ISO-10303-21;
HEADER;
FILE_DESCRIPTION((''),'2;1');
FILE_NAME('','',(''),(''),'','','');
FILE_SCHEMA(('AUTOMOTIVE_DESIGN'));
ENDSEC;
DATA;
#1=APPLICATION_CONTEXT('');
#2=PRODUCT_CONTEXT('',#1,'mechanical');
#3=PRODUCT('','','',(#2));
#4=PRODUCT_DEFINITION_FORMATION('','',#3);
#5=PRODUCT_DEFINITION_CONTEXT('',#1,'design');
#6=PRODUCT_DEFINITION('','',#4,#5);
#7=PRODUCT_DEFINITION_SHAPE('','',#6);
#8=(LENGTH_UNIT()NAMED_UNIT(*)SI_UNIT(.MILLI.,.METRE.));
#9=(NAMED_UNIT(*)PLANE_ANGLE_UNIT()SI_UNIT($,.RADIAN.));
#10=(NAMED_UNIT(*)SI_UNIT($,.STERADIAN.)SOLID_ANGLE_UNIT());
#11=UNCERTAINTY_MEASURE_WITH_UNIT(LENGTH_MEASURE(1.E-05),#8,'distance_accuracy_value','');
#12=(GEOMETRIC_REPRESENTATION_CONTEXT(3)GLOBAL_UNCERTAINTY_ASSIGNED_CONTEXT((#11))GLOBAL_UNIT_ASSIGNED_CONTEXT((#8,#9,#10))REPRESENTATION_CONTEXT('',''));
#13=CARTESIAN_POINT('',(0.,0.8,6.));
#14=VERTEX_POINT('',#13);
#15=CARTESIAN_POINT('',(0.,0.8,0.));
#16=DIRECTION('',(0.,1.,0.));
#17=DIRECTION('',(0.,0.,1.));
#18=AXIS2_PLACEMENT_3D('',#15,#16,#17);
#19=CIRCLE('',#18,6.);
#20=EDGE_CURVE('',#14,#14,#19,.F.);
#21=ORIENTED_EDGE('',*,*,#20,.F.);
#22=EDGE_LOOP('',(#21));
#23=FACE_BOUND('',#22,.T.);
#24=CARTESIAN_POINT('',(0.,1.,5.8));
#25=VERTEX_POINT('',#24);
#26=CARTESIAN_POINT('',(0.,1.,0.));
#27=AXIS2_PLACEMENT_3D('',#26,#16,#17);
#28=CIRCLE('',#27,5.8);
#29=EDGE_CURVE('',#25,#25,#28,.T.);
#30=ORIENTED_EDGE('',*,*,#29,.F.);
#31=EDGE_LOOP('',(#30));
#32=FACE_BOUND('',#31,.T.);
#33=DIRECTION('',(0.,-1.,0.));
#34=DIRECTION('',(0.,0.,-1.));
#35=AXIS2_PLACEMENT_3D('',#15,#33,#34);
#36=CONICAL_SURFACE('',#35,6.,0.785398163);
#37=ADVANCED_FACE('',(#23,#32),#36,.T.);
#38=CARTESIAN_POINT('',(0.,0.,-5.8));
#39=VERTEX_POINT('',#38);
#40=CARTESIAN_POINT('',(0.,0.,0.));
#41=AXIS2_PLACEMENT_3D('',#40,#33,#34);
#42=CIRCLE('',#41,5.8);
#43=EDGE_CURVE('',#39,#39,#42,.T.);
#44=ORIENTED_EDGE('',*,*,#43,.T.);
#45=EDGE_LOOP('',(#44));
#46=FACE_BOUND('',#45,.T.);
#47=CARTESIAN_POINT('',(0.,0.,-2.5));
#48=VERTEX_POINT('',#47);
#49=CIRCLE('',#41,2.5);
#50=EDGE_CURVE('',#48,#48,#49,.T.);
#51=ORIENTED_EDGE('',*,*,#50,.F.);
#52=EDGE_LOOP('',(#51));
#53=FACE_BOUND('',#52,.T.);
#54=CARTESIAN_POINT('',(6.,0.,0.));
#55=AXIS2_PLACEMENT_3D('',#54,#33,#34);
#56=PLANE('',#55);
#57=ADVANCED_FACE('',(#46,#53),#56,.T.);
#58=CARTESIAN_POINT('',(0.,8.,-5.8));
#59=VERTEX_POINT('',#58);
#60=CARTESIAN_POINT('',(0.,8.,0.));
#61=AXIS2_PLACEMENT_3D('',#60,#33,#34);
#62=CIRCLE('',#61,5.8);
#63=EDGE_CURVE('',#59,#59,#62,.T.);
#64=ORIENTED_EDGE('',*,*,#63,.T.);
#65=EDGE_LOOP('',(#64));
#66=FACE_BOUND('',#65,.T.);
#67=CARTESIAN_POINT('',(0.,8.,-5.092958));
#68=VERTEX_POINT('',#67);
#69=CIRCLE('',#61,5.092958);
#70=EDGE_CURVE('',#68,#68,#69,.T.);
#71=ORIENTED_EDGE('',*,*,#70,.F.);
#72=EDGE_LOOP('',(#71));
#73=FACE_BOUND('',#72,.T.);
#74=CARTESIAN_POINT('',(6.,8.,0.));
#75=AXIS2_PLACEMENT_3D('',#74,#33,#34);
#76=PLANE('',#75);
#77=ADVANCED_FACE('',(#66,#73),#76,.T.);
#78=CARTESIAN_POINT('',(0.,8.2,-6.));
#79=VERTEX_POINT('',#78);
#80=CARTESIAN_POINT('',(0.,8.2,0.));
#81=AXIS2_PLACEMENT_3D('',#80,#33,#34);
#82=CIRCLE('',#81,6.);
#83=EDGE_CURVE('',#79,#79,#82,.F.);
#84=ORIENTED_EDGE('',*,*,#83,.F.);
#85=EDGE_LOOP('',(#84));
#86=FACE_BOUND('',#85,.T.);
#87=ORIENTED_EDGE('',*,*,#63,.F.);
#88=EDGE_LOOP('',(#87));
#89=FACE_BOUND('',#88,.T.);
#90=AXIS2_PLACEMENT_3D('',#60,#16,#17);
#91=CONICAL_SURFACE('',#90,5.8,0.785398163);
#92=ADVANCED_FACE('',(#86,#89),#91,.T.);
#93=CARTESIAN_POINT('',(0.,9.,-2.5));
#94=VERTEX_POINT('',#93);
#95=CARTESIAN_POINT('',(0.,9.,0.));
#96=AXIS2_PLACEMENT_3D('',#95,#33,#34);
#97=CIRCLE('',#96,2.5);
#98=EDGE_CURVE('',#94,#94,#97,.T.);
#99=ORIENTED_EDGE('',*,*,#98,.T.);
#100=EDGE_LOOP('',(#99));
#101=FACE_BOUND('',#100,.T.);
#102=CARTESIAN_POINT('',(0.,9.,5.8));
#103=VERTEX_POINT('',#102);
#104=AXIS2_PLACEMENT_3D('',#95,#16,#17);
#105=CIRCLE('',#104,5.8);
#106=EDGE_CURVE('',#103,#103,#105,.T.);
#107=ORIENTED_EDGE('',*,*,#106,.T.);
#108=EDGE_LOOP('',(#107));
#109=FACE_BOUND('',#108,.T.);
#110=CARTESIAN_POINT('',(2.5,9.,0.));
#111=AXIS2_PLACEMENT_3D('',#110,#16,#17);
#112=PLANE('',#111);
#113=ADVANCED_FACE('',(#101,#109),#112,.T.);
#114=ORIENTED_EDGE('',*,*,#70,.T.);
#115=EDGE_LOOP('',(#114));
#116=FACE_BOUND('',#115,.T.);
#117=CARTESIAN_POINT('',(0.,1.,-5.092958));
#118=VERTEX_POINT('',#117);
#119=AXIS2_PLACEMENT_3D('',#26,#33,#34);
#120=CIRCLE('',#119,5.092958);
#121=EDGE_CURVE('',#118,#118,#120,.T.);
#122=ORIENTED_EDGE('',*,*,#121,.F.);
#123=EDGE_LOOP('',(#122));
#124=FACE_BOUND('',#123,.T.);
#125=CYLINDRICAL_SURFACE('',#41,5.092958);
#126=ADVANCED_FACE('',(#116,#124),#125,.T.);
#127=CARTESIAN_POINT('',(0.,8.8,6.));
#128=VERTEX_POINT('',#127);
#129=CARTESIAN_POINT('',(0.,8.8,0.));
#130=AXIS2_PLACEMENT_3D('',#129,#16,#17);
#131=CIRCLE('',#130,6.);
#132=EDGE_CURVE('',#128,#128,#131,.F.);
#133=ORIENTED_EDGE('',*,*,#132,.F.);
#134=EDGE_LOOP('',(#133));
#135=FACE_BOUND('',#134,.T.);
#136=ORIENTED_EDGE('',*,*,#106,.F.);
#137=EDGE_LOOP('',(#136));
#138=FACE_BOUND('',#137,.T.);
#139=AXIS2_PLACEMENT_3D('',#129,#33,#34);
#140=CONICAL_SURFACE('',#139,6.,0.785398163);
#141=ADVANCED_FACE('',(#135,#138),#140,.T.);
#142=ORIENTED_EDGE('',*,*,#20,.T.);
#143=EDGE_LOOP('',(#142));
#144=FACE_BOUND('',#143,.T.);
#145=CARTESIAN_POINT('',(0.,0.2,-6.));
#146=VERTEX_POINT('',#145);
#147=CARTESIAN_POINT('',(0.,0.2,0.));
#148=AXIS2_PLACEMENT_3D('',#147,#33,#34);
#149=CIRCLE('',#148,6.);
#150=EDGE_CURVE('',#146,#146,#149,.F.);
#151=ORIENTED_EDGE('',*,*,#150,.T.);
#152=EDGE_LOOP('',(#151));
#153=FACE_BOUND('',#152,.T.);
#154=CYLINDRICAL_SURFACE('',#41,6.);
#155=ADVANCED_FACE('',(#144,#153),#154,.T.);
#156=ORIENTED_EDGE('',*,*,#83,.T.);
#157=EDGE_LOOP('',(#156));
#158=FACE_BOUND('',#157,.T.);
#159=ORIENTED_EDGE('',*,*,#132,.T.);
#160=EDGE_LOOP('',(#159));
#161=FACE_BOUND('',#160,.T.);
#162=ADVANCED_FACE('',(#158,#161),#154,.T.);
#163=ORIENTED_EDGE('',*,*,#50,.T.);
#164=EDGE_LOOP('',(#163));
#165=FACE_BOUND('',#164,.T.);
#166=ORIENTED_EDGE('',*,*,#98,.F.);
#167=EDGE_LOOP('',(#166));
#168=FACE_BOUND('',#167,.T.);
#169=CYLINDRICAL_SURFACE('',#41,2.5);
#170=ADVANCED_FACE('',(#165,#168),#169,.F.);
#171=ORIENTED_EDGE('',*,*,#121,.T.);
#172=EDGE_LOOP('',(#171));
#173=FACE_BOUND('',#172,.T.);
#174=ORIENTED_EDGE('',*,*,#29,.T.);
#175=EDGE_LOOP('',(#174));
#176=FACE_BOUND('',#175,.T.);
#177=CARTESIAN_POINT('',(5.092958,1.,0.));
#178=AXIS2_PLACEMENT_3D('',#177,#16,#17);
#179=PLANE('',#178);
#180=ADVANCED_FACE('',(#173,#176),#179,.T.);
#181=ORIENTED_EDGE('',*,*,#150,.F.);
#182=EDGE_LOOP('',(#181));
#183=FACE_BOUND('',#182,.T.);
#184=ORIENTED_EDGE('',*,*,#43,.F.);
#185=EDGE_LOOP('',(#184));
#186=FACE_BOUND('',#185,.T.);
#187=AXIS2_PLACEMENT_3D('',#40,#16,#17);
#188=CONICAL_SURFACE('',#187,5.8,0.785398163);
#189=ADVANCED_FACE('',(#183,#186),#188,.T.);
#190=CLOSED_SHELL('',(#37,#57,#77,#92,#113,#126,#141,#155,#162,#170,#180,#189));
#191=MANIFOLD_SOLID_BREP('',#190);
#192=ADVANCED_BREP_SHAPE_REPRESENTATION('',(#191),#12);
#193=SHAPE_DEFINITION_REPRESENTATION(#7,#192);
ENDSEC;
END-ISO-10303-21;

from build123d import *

# Parameters (mm, degrees)
CHAMFER1_SIZE = 0.2


with BuildPart() as part:
    # Sketch1 → Revolve1 (revolve)
    with BuildSketch(Plane.XY):
        Polygon((2.5, 0), (2.5, 9), (6, 9), (6, 8), (5.092958179, 8), (5.092958179, 1), (6, 1), (6, 0), align=None)
    revolve(axis=Axis((0, 0, 0), (0, 1, 0)))

    # Chamfer1
    chamfer1_edges = [part.edges().sort_by_distance(p)[0] for p in [
        (-6, 0, 0),
        (-6, 1, 0),
        (-6, 8, 0),
        (-6, 9, 0),
    ]]
    chamfer(chamfer1_edges, length=CHAMFER1_SIZE)


solid = part.part
